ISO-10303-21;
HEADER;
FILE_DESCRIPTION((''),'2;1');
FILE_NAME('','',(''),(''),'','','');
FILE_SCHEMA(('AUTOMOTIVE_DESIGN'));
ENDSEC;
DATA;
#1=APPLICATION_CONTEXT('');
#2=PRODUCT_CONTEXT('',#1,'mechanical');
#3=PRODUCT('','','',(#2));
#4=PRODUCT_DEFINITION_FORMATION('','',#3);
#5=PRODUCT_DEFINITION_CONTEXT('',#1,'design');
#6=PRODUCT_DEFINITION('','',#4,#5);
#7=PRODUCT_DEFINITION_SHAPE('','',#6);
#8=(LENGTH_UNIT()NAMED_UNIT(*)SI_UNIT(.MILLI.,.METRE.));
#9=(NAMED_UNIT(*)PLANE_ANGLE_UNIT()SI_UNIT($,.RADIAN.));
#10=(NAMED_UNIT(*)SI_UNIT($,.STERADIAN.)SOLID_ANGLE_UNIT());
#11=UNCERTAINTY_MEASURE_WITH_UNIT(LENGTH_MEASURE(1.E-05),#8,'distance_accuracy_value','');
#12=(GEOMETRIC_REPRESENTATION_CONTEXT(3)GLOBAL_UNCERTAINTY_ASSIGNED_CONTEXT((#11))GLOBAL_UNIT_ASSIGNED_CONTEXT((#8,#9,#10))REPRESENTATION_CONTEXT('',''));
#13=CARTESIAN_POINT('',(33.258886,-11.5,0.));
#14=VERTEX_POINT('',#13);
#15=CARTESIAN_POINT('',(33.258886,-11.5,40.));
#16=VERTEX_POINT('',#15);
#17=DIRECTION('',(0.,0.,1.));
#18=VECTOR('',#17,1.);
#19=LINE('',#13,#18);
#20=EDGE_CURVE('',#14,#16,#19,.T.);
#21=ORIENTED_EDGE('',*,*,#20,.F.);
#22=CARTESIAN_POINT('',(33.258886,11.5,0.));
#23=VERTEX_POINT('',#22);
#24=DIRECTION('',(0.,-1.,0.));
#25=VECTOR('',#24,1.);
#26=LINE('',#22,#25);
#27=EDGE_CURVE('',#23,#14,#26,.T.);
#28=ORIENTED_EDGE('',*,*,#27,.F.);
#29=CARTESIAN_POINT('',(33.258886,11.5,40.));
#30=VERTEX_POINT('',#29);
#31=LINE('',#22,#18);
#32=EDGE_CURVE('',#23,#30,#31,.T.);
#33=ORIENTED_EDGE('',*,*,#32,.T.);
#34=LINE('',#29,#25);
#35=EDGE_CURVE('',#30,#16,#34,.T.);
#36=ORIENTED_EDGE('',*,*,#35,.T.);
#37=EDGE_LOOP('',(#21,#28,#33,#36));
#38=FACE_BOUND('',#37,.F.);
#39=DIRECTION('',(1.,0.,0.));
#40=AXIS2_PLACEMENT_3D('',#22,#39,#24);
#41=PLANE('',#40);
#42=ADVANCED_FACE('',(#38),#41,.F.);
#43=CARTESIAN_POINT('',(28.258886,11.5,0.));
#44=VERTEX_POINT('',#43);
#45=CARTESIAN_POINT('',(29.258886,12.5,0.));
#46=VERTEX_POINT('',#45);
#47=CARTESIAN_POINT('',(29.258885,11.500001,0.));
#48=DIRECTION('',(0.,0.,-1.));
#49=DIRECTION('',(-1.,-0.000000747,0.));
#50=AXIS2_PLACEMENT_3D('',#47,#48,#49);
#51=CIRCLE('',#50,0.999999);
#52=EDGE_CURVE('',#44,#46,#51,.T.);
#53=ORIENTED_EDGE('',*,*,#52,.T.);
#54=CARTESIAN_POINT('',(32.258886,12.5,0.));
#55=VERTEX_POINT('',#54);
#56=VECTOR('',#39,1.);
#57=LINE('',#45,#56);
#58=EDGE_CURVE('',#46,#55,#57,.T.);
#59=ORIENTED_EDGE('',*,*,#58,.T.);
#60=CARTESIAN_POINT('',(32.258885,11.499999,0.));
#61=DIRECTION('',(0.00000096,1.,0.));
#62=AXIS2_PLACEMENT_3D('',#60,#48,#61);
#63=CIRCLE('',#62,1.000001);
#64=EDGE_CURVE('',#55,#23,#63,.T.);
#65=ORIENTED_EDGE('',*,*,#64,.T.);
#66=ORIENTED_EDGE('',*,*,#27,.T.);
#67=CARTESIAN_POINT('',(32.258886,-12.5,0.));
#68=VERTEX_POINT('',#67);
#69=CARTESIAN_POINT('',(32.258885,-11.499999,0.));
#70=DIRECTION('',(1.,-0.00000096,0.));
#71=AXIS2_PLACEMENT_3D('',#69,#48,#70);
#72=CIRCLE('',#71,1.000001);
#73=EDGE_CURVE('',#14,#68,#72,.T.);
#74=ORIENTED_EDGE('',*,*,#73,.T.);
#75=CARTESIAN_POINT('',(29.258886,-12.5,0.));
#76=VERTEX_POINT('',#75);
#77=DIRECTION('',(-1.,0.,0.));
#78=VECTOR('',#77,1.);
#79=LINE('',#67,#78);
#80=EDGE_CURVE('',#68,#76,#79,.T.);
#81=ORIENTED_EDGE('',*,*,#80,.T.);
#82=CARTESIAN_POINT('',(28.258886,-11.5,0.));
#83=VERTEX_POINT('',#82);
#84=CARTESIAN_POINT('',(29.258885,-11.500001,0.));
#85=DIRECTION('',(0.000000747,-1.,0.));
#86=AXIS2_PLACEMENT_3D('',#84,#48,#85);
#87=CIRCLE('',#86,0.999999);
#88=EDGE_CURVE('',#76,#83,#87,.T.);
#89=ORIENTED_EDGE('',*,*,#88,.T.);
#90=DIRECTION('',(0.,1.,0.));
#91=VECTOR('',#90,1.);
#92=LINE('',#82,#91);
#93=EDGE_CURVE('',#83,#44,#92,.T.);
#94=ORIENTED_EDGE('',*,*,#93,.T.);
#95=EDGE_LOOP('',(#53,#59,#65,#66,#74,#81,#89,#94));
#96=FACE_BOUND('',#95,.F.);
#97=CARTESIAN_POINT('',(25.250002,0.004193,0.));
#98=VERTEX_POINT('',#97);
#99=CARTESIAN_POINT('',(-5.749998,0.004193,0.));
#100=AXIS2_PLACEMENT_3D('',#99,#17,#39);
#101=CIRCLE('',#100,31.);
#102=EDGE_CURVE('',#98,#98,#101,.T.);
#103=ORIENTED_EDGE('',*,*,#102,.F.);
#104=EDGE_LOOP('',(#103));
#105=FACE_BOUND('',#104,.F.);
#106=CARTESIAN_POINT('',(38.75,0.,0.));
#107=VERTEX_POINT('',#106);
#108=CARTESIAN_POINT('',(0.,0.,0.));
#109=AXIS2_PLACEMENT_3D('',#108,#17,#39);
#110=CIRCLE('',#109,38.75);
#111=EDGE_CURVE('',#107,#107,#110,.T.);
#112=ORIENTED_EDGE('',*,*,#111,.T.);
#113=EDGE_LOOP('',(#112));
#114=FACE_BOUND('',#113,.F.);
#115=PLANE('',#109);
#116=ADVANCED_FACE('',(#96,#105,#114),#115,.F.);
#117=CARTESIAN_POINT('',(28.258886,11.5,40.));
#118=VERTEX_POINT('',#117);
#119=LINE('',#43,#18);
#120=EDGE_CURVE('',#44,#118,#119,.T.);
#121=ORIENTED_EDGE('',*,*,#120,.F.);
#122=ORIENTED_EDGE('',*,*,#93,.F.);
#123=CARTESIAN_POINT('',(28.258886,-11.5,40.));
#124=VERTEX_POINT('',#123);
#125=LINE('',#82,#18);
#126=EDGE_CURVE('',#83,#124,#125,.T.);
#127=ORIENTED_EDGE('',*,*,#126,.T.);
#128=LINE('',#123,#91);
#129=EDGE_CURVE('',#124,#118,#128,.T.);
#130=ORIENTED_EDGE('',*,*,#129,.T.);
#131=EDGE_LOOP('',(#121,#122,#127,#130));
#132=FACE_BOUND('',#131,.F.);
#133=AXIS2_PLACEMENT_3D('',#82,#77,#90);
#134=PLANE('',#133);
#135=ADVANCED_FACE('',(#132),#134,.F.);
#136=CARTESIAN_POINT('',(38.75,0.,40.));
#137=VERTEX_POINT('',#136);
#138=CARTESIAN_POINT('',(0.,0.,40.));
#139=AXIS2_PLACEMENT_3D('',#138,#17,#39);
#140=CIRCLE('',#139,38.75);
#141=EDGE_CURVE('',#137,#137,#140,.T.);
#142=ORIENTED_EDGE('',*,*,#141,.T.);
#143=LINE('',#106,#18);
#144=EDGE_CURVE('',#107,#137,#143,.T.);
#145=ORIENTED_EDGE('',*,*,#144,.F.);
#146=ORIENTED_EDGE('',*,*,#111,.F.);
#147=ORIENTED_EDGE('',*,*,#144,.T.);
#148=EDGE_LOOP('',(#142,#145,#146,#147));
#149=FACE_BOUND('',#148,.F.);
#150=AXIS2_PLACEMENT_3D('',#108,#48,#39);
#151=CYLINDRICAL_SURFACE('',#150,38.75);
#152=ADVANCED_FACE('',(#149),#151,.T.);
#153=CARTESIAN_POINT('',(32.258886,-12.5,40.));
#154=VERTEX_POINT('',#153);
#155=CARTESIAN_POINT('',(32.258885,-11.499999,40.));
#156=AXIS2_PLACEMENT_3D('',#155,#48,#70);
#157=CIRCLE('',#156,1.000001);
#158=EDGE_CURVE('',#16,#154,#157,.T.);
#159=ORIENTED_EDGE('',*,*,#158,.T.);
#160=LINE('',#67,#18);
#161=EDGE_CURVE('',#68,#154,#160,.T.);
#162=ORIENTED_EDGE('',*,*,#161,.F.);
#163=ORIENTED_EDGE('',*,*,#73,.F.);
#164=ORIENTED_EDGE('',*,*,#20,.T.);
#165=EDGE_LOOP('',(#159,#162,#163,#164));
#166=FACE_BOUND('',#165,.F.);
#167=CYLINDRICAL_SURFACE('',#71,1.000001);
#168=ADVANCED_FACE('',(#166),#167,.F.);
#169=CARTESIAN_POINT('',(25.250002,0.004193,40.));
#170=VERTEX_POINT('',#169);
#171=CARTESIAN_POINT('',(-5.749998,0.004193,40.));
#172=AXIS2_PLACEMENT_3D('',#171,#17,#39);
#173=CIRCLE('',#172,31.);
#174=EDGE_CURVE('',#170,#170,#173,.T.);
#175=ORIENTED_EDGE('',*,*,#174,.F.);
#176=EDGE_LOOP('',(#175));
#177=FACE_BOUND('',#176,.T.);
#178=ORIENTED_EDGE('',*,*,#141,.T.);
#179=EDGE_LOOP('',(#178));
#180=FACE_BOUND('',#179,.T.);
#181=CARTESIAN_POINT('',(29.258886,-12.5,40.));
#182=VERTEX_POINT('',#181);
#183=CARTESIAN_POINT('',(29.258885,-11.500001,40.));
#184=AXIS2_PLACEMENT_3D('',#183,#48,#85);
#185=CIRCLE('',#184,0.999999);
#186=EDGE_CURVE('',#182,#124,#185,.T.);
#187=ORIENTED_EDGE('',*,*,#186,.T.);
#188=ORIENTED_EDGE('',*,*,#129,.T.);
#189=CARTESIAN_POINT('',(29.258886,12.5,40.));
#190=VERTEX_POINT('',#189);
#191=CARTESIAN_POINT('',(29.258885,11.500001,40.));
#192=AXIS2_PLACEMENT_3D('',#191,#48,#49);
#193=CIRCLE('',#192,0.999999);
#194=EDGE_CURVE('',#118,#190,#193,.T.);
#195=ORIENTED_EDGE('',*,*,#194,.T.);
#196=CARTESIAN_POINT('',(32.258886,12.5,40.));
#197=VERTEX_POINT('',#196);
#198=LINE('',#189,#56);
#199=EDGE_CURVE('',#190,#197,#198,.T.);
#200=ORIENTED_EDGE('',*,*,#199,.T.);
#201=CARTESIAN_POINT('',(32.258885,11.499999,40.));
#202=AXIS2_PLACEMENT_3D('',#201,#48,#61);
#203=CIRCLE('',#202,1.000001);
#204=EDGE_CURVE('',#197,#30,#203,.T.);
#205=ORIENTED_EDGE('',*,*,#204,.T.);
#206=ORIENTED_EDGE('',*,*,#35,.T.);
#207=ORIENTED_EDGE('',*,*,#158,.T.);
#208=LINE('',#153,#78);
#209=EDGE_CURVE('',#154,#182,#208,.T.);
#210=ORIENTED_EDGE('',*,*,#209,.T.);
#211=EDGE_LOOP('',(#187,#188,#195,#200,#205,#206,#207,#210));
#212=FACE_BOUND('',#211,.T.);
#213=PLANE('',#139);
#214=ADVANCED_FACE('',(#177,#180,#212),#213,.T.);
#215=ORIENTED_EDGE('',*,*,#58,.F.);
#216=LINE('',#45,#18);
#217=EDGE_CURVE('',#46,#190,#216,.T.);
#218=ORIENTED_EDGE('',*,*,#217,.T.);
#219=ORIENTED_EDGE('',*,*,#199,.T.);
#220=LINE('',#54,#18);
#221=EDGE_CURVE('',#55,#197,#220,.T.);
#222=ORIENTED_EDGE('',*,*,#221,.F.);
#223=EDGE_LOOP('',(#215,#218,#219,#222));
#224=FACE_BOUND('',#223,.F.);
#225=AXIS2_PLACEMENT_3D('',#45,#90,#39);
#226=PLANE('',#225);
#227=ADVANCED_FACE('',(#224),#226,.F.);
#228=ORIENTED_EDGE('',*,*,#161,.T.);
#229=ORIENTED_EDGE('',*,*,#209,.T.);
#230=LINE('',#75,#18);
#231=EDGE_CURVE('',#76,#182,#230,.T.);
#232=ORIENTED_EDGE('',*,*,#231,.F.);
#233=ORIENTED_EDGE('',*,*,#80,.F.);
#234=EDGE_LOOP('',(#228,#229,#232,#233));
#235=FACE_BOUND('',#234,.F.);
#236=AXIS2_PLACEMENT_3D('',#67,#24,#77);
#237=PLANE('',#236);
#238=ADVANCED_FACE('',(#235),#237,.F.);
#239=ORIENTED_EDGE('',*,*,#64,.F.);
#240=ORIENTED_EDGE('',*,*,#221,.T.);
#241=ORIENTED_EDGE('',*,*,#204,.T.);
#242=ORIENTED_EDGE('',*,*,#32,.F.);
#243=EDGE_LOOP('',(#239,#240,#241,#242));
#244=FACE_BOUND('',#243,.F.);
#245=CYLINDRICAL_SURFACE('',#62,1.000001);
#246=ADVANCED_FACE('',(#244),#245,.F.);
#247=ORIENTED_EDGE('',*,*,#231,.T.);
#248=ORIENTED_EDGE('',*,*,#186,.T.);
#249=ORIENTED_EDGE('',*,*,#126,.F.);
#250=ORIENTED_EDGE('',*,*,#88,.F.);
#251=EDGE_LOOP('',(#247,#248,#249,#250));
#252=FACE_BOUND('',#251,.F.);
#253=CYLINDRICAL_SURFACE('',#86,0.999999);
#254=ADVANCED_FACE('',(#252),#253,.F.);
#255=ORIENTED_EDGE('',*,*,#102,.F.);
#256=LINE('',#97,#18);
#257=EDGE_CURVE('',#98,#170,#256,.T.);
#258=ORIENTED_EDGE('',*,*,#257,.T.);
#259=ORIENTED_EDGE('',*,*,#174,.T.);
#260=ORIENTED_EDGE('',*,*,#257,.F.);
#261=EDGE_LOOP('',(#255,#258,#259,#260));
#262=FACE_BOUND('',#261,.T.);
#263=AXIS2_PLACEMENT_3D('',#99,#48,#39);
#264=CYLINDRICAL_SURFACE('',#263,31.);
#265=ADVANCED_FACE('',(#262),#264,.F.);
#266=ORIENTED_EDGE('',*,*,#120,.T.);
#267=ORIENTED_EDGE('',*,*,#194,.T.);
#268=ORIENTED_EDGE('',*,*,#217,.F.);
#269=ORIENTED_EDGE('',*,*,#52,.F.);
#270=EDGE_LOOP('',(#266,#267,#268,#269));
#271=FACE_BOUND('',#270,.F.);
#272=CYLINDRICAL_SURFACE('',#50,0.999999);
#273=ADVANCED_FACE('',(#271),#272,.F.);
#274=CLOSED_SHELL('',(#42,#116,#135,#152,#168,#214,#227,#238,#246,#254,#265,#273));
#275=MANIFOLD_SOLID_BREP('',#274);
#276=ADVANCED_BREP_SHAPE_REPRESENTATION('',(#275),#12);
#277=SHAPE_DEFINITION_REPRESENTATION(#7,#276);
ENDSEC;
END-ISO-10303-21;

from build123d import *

# Parameters (mm, degrees)
F0_R     = 38.75
F0_R_2   = 31
F1_DEPTH = 40


with BuildPart() as f1:
    # F0 (on Top) → F1 (new body)
    with BuildSketch(Plane.XY):
        Circle(F0_R)
        with Locations((-5.749998, 0.004193)):
            Circle(F0_R_2, mode=Mode.SUBTRACT)
        with BuildLine():
            ThreePointArc((33.258886, -11.5), (32.965992, -12.207107), (32.258886, -12.5))
            Line((32.258886, -12.5), (29.258886, -12.5))
            ThreePointArc((29.258886, -12.5), (28.551779, -12.207107), (28.258886, -11.5))
            Line((28.258886, -11.5), (28.258886, 11.5))
            ThreePointArc((28.258886, 11.5), (28.551779, 12.207107), (29.258886, 12.5))
            Line((29.258886, 12.5), (32.258886, 12.5))
            ThreePointArc((32.258886, 12.5), (32.965992, 12.207107), (33.258886, 11.5))
            Line((33.258886, 11.5), (33.258886, -11.5))
        make_face(mode=Mode.SUBTRACT)
    extrude(amount=F1_DEPTH)


solid = f1.part
